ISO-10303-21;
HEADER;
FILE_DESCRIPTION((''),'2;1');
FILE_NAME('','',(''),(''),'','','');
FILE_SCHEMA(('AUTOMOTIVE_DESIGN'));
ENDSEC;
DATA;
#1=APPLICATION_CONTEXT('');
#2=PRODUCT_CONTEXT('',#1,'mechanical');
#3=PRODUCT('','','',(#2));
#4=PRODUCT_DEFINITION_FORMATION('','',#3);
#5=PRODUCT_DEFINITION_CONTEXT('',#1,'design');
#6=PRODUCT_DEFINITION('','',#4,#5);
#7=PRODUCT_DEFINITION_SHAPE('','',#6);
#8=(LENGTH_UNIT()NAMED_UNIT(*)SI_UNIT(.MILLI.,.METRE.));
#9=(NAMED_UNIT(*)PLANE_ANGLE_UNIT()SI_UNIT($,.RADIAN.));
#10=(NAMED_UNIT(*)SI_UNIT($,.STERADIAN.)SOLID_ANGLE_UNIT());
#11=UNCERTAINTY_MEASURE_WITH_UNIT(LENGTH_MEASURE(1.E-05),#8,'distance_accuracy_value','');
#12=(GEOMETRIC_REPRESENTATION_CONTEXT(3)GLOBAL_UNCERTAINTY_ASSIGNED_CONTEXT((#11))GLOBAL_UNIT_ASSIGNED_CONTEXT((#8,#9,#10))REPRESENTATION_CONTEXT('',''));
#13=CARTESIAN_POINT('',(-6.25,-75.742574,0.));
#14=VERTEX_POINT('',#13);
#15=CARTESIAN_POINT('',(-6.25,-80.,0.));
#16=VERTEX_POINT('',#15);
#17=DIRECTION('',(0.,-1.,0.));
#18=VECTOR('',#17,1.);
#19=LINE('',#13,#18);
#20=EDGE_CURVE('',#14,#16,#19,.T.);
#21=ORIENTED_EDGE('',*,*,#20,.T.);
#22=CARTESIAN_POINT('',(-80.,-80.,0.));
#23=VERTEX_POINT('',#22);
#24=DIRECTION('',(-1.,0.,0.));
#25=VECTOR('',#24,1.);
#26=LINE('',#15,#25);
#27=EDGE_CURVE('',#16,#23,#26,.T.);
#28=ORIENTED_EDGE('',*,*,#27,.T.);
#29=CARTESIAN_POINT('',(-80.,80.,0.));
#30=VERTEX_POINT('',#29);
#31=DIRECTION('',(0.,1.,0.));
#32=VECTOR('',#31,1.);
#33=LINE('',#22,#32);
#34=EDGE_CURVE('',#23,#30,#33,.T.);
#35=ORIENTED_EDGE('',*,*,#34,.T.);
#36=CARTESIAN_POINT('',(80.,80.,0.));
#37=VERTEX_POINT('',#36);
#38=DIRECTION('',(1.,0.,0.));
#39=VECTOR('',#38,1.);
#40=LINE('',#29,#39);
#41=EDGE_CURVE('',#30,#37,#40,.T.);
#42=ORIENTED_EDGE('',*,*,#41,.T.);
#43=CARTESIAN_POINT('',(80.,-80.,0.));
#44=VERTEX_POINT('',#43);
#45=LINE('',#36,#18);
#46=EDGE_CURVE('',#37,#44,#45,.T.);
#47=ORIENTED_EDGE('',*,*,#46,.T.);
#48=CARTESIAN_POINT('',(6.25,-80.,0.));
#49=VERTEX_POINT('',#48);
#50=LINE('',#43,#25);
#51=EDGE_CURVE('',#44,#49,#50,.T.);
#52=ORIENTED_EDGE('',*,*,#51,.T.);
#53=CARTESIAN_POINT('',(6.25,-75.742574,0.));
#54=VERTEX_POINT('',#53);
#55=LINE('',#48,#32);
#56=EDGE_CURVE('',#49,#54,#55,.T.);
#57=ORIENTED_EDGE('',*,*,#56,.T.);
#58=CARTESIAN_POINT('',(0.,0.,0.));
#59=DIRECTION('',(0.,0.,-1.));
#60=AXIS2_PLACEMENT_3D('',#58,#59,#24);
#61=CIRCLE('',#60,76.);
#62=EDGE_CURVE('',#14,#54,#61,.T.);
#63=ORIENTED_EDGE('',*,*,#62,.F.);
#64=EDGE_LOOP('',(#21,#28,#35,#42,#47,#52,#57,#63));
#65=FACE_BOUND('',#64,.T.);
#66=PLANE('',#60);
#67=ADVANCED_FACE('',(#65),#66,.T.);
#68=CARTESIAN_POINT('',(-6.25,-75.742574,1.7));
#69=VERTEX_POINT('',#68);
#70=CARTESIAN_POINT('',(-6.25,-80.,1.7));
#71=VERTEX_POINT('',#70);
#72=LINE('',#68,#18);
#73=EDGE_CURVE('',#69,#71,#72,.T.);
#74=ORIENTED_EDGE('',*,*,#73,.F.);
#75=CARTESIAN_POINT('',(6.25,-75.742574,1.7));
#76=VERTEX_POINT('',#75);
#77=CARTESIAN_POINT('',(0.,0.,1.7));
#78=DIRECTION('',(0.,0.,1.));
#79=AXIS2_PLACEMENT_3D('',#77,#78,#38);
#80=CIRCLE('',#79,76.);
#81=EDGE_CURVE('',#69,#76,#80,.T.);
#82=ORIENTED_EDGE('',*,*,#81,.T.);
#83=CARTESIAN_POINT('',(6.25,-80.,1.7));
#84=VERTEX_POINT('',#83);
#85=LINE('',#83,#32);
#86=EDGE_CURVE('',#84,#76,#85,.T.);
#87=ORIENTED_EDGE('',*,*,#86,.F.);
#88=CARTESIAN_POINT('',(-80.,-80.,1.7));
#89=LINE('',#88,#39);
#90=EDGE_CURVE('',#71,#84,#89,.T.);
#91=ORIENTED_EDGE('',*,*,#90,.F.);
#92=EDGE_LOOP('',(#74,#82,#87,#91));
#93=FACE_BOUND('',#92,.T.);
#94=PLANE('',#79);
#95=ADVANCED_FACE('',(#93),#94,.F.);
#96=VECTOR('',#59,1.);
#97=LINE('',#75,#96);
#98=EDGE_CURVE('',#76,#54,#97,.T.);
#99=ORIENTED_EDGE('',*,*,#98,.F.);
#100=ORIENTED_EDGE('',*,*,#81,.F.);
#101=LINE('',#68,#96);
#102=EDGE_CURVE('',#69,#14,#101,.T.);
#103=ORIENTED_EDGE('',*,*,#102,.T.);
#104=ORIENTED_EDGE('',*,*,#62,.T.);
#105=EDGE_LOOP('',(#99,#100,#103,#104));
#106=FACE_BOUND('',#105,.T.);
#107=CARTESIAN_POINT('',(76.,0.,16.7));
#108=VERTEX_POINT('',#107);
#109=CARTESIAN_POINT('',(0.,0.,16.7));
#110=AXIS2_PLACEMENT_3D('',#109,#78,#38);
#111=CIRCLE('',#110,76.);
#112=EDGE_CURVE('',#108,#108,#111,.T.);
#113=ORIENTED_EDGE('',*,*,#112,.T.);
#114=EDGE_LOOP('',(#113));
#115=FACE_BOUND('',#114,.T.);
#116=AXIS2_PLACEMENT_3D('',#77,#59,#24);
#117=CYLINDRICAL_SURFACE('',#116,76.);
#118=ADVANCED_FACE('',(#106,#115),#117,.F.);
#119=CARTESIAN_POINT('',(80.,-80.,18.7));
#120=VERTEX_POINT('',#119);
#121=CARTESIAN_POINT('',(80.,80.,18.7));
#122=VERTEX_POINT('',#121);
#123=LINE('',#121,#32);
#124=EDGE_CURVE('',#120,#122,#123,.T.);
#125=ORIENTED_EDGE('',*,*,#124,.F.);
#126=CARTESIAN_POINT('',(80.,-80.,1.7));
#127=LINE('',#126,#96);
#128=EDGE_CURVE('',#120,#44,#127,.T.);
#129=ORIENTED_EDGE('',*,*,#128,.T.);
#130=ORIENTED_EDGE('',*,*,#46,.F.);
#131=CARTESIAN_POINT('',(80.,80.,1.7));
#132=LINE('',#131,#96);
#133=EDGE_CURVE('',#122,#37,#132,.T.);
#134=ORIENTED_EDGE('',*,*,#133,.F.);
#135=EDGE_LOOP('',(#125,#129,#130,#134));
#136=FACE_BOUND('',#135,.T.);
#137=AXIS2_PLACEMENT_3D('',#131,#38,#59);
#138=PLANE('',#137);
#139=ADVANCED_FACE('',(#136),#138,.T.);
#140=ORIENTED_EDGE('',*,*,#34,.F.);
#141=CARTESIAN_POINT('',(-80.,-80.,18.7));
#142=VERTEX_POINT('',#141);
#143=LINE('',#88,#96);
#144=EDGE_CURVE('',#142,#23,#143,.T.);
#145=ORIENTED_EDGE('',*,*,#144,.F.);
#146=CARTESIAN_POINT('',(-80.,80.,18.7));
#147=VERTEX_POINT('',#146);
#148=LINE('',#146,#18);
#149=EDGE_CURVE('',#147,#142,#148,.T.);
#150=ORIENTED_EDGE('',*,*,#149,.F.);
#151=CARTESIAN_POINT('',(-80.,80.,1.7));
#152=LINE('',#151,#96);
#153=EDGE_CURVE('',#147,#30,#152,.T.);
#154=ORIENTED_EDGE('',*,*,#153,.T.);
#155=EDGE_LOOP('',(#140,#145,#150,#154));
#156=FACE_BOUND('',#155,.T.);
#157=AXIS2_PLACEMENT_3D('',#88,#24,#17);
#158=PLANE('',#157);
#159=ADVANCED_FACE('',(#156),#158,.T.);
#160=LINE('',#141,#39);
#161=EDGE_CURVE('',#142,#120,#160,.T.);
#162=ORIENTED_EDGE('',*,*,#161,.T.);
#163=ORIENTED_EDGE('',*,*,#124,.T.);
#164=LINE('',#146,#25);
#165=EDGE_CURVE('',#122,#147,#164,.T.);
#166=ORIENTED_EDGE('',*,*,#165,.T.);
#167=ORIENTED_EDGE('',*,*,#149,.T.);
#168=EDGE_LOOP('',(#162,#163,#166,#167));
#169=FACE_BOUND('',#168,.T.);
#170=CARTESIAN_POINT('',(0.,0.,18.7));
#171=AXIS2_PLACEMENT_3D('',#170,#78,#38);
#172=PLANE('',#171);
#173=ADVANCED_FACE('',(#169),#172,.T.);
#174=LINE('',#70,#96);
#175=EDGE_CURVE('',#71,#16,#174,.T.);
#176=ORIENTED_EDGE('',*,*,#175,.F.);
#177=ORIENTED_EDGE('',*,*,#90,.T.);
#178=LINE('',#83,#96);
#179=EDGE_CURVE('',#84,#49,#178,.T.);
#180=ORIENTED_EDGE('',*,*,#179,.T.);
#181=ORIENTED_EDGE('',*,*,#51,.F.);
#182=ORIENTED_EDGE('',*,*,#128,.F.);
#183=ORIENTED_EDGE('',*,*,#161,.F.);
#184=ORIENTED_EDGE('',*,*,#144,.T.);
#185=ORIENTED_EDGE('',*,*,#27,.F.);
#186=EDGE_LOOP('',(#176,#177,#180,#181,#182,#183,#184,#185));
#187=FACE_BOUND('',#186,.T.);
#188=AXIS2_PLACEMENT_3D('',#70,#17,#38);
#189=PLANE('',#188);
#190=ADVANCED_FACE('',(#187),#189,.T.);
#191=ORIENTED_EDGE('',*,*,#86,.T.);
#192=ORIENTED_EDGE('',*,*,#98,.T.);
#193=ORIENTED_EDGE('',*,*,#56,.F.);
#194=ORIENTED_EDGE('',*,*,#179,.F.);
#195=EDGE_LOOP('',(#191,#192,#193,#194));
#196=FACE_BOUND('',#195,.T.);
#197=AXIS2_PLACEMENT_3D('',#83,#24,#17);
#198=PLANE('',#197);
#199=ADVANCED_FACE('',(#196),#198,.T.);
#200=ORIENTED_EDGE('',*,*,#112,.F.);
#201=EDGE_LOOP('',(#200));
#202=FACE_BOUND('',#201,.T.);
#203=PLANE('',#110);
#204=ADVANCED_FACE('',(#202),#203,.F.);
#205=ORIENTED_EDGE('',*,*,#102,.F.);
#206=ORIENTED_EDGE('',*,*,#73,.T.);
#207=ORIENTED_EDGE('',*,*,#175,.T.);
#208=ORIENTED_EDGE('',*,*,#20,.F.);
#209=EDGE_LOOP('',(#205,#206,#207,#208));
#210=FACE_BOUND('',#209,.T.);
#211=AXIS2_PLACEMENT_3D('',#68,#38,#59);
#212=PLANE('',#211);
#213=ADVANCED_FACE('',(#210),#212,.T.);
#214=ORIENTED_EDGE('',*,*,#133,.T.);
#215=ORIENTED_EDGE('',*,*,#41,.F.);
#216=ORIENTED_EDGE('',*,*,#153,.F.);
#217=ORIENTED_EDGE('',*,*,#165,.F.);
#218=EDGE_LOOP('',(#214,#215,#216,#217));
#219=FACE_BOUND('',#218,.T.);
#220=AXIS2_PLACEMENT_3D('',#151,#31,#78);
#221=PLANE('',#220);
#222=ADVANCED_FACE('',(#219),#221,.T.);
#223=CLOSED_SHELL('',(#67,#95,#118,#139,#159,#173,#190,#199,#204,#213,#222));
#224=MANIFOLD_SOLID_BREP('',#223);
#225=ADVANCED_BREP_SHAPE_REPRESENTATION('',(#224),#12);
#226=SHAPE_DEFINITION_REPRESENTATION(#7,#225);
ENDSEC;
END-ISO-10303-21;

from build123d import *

# Parameters (mm, degrees)
P_IDAT_VYSUNUT_M1_DEPTH = 1.7
SKICA2_W                = 160
SKICA2_H                = 160
SKICA2_R                = 76
P_IDAT_VYSUNUT_M2_DEPTH = 15
SKICA4_W                = 160
SKICA4_H                = 160
P_IDAT_VYSUNUT_M3_DEPTH = 2


with BuildPart() as part:
    # Skica1 → Přidat vysunutím1 (new body)
    with BuildSketch(Plane.XY):
        with BuildLine():
            Line((-6.25, -75.742573893), (-6.25, -80))
            Line((-6.25, -80), (-80, -80))
            Line((-80, -80), (-80, 80))
            Line((-80, 80), (80, 80))
            Line((80, 80), (80, -80))
            Line((80, -80), (6.25, -80))
            Line((6.25, -80), (6.25, -75.742573893))
            ThreePointArc((6.25, -75.742573893), (0, 76), (-6.25, -75.742573893))
        make_face()
    extrude(amount=P_IDAT_VYSUNUT_M1_DEPTH)

    # Skica2 → Přidat vysunutím2 (add)
    with BuildSketch(Plane.XY.offset(1.7)):
        Rectangle(SKICA2_W, SKICA2_H)
        with Locations(Location((0, 0, 0), (0, 0, 265.282848868))):
            Circle(SKICA2_R, mode=Mode.SUBTRACT)
    extrude(amount=P_IDAT_VYSUNUT_M2_DEPTH)

    # Skica4 → Přidat vysunutím3 (add)
    with BuildSketch(Plane.XY.offset(16.7)):
        Rectangle(SKICA4_W, SKICA4_H)
    extrude(amount=P_IDAT_VYSUNUT_M3_DEPTH)


solid = part.part
